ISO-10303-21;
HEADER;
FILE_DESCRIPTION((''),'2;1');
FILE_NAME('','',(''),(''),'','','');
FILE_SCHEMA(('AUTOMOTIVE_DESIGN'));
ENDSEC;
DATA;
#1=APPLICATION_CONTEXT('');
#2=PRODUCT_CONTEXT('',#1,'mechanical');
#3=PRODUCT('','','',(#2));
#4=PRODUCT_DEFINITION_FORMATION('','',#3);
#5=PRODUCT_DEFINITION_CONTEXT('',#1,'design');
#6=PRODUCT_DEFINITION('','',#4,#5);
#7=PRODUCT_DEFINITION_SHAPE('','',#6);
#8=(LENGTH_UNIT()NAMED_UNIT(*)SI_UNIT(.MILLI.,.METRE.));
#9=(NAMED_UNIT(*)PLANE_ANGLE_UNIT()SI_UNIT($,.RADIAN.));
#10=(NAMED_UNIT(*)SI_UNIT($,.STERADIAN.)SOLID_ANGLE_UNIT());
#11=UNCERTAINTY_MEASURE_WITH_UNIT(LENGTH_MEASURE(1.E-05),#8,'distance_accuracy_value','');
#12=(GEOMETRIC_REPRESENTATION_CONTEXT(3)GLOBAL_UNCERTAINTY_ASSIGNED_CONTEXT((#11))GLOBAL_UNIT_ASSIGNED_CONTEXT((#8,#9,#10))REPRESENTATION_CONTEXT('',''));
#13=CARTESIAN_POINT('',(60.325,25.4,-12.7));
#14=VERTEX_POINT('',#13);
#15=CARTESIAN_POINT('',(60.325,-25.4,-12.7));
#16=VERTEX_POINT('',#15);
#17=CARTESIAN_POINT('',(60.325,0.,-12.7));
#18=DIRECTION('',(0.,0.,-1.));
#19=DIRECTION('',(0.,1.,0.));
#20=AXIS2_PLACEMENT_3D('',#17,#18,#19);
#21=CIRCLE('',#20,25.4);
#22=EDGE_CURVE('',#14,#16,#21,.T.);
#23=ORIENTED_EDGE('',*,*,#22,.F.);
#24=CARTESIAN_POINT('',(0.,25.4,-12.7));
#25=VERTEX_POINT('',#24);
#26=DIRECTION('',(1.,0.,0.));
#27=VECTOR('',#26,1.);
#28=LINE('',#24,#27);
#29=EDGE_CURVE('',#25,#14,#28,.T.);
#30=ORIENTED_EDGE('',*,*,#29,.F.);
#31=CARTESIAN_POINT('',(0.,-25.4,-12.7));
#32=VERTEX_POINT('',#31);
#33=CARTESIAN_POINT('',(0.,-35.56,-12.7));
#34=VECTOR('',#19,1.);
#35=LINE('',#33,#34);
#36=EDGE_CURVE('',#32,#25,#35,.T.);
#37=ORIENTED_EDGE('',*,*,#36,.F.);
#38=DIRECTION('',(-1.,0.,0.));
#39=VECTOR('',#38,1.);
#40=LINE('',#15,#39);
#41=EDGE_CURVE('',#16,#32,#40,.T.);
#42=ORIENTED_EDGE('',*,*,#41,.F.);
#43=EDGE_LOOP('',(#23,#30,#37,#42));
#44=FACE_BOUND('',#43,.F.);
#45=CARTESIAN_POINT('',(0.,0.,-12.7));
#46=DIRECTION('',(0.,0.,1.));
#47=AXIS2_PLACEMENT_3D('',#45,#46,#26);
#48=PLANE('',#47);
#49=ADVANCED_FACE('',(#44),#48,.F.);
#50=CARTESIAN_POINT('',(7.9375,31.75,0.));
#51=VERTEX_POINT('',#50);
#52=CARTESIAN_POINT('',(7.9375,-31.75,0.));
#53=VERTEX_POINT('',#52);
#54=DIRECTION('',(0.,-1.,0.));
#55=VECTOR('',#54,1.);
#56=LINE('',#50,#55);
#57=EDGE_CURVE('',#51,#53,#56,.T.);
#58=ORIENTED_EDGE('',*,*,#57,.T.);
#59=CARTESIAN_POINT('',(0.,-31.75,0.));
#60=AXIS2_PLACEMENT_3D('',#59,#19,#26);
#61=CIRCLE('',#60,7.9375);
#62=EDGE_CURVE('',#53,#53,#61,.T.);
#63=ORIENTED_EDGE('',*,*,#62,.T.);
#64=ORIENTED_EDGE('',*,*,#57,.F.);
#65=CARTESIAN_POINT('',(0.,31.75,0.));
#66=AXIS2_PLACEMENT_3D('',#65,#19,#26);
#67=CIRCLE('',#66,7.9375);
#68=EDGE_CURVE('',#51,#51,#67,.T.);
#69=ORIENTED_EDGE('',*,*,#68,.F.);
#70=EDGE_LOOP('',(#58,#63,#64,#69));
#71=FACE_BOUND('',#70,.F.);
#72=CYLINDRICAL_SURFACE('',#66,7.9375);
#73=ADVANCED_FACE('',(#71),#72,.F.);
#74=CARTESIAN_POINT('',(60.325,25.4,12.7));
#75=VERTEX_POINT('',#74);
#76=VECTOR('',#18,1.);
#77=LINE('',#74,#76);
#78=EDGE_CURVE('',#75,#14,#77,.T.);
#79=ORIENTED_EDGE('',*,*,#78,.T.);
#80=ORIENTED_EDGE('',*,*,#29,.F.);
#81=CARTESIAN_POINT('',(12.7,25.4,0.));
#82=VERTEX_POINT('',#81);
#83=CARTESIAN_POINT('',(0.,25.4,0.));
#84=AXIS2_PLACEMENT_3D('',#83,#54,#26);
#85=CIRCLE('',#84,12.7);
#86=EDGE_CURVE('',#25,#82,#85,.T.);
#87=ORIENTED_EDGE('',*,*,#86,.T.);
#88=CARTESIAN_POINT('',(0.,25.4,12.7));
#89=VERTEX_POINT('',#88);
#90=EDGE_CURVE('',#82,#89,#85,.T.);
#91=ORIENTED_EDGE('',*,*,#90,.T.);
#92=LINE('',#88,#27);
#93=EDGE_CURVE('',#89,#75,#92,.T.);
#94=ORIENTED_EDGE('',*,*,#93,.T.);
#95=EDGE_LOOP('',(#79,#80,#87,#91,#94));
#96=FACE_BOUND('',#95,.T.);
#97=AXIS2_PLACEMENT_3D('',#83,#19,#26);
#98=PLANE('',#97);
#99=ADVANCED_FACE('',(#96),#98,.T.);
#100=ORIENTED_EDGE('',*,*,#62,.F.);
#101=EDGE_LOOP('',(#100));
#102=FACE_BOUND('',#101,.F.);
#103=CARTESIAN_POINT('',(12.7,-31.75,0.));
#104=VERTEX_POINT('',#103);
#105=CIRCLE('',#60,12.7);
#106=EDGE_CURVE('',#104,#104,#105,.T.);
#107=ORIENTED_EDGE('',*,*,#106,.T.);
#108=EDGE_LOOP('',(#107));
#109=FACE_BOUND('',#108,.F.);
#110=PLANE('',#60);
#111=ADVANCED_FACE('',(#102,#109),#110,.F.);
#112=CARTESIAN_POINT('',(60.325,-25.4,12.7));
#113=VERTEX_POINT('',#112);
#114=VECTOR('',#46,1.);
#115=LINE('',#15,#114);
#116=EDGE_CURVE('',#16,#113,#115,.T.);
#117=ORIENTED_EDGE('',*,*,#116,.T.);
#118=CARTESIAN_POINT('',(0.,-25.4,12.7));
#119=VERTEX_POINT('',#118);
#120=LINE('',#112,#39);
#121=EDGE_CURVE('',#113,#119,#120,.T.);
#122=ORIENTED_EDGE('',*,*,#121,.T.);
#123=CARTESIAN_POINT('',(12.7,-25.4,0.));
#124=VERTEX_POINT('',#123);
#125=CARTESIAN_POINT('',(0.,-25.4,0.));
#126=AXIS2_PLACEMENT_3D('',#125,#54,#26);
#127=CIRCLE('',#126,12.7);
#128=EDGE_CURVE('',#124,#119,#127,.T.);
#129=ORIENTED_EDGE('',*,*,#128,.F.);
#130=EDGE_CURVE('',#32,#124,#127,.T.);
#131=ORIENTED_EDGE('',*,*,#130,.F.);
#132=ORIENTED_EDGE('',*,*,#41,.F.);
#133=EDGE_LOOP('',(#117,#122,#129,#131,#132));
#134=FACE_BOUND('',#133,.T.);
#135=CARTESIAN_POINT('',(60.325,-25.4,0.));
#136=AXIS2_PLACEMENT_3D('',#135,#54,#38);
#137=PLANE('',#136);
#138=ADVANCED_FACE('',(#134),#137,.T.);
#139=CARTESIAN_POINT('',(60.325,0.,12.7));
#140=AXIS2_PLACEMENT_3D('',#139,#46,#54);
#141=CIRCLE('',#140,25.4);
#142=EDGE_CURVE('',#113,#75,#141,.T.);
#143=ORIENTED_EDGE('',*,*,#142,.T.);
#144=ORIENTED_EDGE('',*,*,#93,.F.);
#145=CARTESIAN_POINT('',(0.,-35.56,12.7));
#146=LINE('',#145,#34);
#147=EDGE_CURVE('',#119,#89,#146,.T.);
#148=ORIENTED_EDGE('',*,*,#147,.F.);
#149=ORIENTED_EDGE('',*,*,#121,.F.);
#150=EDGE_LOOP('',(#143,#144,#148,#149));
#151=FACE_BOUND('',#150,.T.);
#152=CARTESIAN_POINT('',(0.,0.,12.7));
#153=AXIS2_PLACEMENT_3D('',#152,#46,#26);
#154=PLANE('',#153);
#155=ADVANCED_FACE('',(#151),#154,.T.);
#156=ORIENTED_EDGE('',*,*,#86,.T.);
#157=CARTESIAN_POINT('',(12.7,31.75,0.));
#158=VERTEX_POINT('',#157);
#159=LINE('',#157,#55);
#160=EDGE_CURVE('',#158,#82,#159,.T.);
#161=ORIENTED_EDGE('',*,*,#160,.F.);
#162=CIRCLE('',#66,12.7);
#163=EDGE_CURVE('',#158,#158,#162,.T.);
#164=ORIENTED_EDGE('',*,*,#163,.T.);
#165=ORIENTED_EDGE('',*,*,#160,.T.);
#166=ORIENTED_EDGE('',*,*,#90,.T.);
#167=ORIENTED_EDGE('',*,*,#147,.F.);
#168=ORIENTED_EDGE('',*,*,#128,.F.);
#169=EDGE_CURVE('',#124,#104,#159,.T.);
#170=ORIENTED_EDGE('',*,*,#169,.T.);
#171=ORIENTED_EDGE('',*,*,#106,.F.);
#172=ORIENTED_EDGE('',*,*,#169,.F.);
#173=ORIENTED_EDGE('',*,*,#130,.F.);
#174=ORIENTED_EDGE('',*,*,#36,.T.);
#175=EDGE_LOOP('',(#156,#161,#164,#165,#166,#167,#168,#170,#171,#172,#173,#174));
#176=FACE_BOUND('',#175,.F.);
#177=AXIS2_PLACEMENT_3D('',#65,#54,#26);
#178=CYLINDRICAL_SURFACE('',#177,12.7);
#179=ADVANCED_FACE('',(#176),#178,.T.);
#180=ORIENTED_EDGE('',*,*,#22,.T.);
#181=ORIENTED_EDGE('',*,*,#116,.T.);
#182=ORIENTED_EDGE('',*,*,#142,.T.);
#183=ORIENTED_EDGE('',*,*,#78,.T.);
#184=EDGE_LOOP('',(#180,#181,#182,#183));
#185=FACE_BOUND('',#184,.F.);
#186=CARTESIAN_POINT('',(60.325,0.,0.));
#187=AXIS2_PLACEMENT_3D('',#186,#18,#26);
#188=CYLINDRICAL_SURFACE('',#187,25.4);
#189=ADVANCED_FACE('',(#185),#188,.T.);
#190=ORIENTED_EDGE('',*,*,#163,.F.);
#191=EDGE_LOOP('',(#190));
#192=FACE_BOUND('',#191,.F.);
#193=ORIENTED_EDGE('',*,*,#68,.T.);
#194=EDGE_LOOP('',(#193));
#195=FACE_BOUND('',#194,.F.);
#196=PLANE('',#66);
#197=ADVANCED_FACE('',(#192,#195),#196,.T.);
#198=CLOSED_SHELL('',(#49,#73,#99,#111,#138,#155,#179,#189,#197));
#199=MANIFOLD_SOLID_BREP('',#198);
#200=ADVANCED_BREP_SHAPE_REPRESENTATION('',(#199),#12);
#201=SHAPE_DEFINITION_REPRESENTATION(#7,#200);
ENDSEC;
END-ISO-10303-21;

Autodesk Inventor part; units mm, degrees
ref_plane "YZ Plane" through (0, 0, 0) normal (1, 0, 0) x (0, 1, 0)
ref_plane "XZ Plane" through (0, 0, 0) normal (0, 1, 0) x (-1, 0, 0)
ref_plane "XY Plane" through (0, 0, 0) normal (0, 0, 1) x (1, 0, 0)
sketch "Sketch1" plane through (0, 0, 0) normal (0, 0, 1) x (1, 0, 0)
  line L0 (0, 31.75) -> (12.7, 31.75)
  line L1 (12.7, 31.75) -> (12.7, -31.75)
  line L2 (12.7, -31.75) -> (0, -31.75)
  line L3 (0, -31.75) -> (0, 31.75)
  point P0 (0, 0)
  point P1 (0, 0)
  dimension "d0" = 25.4
  dimension "d1" = 63.5
revolve "Revolution1" add sketch "Sketch1" angle 360 about axis through (0, -31.75, 0) along (0, 1, 0)
sketch "Sketch2" plane through (0, 0, 0) normal (0, 0, 1) x (1, 0, 0)
  line L0 (0, -35.56) -> (0, 35.56) projected
  line L1 (0, 25.4) -> (60.325, 25.4)
  line L2 (60.325, 25.4) -> (60.325, -25.4)
  line L3 (60.325, -25.4) -> (0, -25.4)
  line L4 (0, -25.4) -> (0, 25.4)
  circle A0 centre (60.325, 0) radius 25.4
  point P0 (0, 0)
  dimension "d3" = 60.325
  dimension "d4" = 50.8
extrude "Extrusion1" add sketch "Sketch2" along normal mid plane 25.4
sketch "Sketch3" plane through (0, 31.75, 0) normal (0, 1, 0) x (1, 0, 0)
  circle A0 centre (0, 0) radius 12.7 projected
  circle A1 centre (0, 0) radius 7.9375
  dimension "d7" = 15.875
extrude "Extrusion2" cut sketch "Sketch3" against normal through all contours A1
